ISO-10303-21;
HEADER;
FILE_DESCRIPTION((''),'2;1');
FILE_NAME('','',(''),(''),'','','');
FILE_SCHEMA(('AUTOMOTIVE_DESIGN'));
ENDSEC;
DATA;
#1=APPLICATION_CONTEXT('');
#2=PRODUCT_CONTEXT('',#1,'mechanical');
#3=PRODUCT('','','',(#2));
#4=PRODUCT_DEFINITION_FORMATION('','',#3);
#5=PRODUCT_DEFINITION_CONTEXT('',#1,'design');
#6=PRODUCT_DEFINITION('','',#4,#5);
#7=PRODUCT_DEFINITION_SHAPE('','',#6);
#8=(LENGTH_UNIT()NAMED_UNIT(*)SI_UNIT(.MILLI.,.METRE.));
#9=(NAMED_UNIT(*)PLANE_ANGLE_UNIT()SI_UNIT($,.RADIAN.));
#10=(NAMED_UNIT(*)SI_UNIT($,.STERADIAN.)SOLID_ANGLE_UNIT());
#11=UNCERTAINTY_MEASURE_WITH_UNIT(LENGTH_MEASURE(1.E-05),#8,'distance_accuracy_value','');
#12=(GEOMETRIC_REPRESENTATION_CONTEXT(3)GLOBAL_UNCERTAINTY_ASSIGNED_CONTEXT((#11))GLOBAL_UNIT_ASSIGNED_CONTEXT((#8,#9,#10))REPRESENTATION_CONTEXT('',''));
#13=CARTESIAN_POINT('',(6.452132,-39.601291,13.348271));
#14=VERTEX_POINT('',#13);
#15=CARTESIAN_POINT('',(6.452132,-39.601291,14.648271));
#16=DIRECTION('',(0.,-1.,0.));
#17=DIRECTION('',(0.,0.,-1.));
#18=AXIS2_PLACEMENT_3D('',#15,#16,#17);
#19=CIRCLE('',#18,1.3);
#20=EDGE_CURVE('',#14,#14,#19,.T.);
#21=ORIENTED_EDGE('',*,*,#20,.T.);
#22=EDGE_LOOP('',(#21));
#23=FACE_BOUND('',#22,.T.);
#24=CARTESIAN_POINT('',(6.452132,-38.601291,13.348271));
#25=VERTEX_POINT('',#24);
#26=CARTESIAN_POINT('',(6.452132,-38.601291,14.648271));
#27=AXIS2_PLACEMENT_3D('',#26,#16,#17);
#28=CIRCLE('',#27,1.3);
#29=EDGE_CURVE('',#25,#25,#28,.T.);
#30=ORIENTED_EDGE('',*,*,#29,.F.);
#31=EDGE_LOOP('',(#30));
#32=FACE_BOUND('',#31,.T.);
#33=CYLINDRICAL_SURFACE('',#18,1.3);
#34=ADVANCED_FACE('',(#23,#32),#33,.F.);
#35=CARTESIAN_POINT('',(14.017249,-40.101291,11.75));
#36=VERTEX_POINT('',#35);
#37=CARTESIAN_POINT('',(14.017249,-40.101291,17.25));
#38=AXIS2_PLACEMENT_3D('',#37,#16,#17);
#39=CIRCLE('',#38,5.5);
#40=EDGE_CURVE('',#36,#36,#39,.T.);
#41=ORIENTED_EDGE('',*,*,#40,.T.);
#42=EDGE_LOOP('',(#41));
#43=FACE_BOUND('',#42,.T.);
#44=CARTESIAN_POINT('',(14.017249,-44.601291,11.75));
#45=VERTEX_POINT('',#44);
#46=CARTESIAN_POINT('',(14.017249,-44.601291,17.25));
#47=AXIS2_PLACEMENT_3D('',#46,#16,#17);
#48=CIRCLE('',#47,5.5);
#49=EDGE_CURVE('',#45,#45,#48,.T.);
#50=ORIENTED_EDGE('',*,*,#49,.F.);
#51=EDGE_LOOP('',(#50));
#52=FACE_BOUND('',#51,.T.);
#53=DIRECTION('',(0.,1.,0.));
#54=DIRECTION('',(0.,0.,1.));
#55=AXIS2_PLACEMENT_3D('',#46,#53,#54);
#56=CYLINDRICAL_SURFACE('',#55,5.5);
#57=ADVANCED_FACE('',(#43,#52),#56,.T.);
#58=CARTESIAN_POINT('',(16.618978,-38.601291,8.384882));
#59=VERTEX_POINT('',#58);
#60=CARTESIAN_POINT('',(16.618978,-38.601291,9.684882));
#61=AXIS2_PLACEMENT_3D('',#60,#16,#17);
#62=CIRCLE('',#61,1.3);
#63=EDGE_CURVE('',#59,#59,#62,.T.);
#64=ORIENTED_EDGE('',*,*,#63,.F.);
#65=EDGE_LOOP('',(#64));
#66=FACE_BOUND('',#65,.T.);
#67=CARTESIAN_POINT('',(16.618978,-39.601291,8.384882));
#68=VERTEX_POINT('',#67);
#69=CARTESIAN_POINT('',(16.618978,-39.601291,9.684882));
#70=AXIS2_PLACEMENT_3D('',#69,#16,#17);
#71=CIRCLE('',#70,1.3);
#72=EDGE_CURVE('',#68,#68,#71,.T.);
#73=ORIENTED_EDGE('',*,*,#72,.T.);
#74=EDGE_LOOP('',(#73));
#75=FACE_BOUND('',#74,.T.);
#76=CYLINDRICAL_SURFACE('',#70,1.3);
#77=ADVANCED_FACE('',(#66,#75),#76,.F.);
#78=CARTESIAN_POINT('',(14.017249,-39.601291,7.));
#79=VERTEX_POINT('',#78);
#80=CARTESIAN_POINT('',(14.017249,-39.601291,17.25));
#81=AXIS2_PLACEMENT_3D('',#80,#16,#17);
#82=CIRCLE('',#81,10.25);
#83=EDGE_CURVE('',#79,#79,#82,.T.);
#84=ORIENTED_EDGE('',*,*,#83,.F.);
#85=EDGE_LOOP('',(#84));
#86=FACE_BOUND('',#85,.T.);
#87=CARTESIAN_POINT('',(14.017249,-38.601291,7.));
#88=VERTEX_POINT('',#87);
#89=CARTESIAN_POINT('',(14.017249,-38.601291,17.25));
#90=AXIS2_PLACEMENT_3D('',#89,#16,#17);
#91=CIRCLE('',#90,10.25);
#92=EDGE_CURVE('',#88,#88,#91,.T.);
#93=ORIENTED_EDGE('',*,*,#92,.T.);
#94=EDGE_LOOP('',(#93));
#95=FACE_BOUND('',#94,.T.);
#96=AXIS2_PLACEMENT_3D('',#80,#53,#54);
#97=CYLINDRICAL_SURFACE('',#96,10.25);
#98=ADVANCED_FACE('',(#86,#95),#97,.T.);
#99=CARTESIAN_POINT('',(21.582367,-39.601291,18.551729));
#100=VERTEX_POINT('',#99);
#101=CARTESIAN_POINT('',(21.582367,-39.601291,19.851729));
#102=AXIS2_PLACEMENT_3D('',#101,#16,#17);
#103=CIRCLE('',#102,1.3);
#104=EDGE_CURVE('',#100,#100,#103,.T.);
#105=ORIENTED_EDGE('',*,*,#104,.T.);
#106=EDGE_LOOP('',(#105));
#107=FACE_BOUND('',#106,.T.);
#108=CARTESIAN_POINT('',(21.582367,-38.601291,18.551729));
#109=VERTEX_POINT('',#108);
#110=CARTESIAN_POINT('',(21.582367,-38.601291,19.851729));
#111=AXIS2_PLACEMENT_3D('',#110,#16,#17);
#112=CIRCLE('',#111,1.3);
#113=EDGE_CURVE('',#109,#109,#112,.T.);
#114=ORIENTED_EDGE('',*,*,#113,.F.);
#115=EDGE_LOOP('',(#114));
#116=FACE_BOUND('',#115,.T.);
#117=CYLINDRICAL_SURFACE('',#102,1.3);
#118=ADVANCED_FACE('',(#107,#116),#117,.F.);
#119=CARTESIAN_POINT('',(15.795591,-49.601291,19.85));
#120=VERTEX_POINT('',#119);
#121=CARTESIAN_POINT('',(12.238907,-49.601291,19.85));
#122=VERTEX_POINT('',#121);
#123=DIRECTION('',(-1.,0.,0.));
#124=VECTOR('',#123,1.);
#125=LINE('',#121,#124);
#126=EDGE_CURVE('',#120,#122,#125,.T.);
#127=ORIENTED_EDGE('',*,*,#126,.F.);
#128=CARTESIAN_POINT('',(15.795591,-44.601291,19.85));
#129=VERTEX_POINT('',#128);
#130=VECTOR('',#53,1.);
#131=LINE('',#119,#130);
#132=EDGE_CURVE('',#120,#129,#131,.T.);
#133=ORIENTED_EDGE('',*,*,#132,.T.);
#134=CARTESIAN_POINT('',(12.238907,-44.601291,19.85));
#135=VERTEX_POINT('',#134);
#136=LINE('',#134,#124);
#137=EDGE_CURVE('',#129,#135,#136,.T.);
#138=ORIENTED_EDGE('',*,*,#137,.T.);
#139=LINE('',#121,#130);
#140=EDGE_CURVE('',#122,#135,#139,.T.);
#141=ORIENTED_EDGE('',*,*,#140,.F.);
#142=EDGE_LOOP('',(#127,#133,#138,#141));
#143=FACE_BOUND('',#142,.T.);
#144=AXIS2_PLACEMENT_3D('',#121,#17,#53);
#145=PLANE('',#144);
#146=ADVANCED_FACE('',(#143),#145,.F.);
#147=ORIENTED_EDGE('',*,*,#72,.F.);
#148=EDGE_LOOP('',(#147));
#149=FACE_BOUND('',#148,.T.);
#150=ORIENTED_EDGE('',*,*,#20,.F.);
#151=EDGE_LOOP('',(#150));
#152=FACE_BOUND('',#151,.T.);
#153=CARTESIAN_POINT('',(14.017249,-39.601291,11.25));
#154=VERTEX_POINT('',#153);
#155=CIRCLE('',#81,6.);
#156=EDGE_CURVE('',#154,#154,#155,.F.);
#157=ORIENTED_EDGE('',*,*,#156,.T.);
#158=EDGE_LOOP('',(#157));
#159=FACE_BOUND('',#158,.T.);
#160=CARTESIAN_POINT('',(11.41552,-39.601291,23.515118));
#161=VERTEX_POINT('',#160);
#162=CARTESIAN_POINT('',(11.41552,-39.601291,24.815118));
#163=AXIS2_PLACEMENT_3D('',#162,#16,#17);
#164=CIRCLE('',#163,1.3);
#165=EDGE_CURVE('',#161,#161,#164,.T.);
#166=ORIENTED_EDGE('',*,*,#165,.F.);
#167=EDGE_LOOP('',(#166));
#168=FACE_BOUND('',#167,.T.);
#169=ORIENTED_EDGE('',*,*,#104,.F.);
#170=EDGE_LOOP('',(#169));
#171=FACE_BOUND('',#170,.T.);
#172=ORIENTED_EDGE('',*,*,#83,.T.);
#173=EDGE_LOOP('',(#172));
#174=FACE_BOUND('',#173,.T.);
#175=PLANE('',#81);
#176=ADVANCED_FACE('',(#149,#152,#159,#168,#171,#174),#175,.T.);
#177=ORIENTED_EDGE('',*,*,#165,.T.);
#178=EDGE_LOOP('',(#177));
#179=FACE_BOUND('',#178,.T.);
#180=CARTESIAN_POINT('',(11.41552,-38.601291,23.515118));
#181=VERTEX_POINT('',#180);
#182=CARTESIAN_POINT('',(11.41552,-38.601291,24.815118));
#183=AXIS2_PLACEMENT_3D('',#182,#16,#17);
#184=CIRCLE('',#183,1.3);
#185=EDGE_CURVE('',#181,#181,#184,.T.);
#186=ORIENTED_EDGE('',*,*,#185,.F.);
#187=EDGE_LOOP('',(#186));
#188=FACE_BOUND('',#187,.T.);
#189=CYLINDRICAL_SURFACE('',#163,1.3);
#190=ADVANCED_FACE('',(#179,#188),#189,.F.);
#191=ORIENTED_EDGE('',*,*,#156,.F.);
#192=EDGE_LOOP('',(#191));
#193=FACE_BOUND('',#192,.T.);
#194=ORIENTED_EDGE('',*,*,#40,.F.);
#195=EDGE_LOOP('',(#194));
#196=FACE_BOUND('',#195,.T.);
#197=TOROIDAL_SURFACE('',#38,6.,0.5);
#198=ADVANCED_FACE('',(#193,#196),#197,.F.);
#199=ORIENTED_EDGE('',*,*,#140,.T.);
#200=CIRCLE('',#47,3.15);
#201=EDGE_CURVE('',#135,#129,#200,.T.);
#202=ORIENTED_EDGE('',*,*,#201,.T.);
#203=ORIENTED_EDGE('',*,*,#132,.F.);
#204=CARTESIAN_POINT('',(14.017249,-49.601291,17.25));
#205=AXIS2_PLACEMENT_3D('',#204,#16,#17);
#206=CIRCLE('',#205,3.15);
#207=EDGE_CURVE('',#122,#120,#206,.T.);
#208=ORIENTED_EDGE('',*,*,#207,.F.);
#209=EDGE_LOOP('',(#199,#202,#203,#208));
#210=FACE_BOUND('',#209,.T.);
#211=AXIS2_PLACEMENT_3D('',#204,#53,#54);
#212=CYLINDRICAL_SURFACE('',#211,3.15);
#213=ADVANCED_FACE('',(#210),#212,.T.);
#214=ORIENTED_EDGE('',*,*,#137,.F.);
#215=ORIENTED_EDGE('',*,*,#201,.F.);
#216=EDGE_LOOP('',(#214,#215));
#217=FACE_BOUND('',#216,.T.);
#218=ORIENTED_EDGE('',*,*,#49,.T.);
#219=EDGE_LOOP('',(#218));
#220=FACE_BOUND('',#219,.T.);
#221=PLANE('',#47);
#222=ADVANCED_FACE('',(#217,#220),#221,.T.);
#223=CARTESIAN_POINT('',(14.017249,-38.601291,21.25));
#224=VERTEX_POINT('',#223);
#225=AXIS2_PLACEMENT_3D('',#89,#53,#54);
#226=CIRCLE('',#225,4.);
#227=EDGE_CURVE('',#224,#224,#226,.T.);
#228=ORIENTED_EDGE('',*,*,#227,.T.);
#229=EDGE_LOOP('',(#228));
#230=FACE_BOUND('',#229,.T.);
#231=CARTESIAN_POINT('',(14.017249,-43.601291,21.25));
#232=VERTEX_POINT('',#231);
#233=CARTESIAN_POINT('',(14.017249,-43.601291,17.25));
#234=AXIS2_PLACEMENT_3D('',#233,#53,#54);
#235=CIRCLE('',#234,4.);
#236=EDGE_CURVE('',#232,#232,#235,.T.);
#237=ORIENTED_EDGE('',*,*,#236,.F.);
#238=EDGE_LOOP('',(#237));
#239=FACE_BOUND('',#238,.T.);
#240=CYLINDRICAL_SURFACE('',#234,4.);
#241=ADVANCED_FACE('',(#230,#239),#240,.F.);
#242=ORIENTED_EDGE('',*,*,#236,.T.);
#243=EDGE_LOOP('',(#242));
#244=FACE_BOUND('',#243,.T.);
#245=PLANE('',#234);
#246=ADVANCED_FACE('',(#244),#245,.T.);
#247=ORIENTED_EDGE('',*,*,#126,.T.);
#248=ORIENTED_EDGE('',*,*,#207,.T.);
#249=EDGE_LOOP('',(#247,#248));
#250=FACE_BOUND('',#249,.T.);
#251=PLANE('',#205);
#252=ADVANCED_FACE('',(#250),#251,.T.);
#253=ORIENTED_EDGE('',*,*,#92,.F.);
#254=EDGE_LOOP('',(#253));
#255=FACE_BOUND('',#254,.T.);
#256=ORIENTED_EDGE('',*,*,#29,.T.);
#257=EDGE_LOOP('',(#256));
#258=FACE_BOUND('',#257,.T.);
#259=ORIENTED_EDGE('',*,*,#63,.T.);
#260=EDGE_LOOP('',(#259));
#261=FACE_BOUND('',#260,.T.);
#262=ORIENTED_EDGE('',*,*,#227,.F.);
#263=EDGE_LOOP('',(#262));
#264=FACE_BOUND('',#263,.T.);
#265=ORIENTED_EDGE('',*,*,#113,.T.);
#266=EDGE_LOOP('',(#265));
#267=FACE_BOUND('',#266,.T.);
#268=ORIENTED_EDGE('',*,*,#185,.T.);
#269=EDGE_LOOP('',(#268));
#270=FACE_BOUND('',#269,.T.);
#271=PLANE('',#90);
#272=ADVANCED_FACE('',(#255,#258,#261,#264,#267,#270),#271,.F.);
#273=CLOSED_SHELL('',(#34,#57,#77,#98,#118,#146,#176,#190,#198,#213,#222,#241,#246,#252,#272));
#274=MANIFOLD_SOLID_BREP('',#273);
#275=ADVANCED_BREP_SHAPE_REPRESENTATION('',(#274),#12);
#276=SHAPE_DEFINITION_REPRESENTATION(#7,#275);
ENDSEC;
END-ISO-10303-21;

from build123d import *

# Parameters (mm, degrees)
ESQUISSE1_R                  = 10.25
BOSS_EXTRU_1_DEPTH           = 1
D_GAGEMENT_M21_D             = 2.6
R_P_TITION_CIRCULAIRE1_COUNT = 4
ESQUISSE9_R                  = 5.5
BOSS_EXTRU_4_DEPTH           = 5
CONG_1_R                     = 0.5
ESQUISSE11_R                 = 4
ENL_V_MAT_EXTRU_2_DEPTH      = 5
BOSS_EXTRU_5_DEPTH           = 5


with BuildPart() as part:
    # Esquisse1 → Boss.-Extru.1 (new body)
    with BuildSketch(Plane.XZ.offset(38.601290575)):
        with Locations(Location((14.017249305, 17.25, 0), (0, 0, 270))):
            Circle(ESQUISSE1_R)
    extrude(amount=BOSS_EXTRU_1_DEPTH)

    # Dégagement M21 (through all)
    with Locations(Plane(origin=(0, -39.601290575, 0), x_dir=(-1, 0, 0), z_dir=(0, -1, 0))):
        with Locations((-11.415520349, -24.815117741)):
            d_gagement_m21 = Hole(D_GAGEMENT_M21_D / 2)

    # Répétition circulaire1: Dégagement M21 ×4 about axis
    r_p_tition_circulaire1_axis = Axis((14.017249305, 0, 17.25), (0, 1, 0))
    for i in range(1, R_P_TITION_CIRCULAIRE1_COUNT):
        add(d_gagement_m21.rotate(r_p_tition_circulaire1_axis, i * 360 / R_P_TITION_CIRCULAIRE1_COUNT), mode=Mode.SUBTRACT)

    # Esquisse9 → Boss.-Extru.4 (add)
    with BuildSketch(Plane(origin=(0, -39.601290575, 0), x_dir=(-1, 0, 0), z_dir=(0, -1, 0))):
        with Locations(Location((-14.017249305, -17.25, 0), (0, 0, 90))):
            Circle(ESQUISSE9_R)
    extrude(amount=BOSS_EXTRU_4_DEPTH)

    # Congé1
    cong_1_edges = [part.edges().sort_by_distance(p)[0] for p in [
        (14.017249305, -39.601290575, 22.75),
    ]]
    fillet(cong_1_edges, radius=CONG_1_R)

    # Esquisse11 → Enlèv. mat.-Extru.2 (cut)
    with BuildSketch(Plane(origin=(0, -38.601290575, 0), x_dir=(1, 0, 0), z_dir=(0, 1, 0))):
        with Locations(Location((14.017249305, -17.25, 0), (0, 0, 270))):
            Circle(ESQUISSE11_R)
    extrude(amount=-ENL_V_MAT_EXTRU_2_DEPTH, mode=Mode.SUBTRACT)

    # Esquisse10 → Boss.-Extru.5 (add)
    with BuildSketch(Plane.XZ.offset(44.601290575)):
        with BuildLine():
            Line((12.238907381, 19.85), (15.79559123, 19.85))
            ThreePointArc((15.79559123, 19.85), (14.017249305, 14.1), (12.238907381, 19.85))
        make_face()
    extrude(amount=BOSS_EXTRU_5_DEPTH)


solid = part.part
